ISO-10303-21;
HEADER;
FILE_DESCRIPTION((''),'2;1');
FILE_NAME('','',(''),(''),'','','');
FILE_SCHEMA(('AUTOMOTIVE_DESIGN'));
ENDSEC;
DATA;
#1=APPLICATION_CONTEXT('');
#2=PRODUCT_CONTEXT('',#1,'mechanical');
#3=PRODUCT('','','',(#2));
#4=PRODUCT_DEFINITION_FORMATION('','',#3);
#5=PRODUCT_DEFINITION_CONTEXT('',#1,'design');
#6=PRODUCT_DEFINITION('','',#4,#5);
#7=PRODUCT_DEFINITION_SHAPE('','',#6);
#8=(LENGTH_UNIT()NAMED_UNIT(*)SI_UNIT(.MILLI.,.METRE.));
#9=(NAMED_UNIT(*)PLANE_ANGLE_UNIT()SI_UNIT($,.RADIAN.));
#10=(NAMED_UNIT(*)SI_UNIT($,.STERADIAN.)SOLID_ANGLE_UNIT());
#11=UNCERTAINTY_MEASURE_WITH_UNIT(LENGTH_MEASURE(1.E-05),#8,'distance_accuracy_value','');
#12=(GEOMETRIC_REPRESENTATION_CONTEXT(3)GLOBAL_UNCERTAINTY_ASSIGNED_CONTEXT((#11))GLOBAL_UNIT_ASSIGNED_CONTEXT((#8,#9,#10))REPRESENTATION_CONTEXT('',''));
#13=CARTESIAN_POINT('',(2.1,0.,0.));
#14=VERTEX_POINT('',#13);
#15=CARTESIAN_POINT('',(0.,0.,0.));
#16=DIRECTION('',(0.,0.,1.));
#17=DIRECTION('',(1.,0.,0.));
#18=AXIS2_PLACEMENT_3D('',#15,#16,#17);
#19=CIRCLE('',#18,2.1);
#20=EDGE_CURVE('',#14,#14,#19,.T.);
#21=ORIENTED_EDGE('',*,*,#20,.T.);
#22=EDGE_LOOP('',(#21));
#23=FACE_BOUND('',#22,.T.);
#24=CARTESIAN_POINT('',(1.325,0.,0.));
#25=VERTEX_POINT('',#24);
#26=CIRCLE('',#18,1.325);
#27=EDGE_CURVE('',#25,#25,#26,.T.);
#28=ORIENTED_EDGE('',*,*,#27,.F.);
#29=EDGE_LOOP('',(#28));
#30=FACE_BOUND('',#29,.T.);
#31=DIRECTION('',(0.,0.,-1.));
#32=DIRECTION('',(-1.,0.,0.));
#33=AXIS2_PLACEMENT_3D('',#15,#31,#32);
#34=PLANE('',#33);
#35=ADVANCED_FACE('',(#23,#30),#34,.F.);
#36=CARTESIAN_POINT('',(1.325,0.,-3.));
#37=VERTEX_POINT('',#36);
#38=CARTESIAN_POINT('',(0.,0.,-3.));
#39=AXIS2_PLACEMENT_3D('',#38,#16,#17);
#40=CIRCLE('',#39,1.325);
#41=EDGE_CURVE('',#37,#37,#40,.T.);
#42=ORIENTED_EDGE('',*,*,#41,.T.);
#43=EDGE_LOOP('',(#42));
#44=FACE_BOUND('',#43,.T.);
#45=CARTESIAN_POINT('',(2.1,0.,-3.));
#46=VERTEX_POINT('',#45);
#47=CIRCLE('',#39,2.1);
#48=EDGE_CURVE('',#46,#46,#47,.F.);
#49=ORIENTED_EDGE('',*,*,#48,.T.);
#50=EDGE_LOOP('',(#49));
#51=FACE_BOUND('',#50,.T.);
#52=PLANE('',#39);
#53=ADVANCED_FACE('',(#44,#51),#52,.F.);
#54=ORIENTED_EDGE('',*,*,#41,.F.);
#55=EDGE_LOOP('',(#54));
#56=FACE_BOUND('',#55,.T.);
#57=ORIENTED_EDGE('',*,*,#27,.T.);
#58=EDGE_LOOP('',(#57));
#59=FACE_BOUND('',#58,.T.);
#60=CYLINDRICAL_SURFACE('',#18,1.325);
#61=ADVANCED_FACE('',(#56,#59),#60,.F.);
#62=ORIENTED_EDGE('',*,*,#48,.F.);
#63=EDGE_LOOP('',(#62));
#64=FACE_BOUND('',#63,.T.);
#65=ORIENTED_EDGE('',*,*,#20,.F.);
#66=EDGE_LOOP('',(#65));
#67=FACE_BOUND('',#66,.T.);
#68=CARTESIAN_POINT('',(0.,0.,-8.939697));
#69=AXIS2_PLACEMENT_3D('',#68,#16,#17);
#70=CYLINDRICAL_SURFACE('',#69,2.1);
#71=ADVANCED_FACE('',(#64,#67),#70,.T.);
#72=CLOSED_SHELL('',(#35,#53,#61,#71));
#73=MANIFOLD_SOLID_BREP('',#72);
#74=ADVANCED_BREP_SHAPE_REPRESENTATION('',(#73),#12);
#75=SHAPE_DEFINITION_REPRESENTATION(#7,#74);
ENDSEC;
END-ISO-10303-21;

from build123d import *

# Parameters (mm, degrees)
SKETCH_7_W      = 3
SKETCH_7_H      = 1.9
M3X0_351_D      = 2.65
SKETCH_48_R     = 2.1
SKETCH_48_R_2   = 1.9
EXTRUDE_1_DEPTH = 3


with BuildPart() as part:
    # Эскиз7 → Повернуть1 (revolve)
    with BuildSketch(Plane(origin=(0, 0, 0), x_dir=(0, 0, -1), z_dir=(1, 0, 0))):
        with Locations((1.5, 0.95)):
            Rectangle(SKETCH_7_W, SKETCH_7_H)
    revolve(axis=Axis((0, 0, 0), (0, 0, -1)))

    # Отверстие обработанное метчиком M3x0.351 (through all)
    with Locations(Plane.XY):
        with Locations((0, 0)):
            Hole(M3X0_351_D / 2)

    # Эскиз48 → Бобышка-Вытянуть1 (add)
    with BuildSketch(Plane.XY):
        Circle(SKETCH_48_R)
        Circle(SKETCH_48_R_2, mode=Mode.SUBTRACT)
    extrude(amount=-EXTRUDE_1_DEPTH)


solid = part.part
